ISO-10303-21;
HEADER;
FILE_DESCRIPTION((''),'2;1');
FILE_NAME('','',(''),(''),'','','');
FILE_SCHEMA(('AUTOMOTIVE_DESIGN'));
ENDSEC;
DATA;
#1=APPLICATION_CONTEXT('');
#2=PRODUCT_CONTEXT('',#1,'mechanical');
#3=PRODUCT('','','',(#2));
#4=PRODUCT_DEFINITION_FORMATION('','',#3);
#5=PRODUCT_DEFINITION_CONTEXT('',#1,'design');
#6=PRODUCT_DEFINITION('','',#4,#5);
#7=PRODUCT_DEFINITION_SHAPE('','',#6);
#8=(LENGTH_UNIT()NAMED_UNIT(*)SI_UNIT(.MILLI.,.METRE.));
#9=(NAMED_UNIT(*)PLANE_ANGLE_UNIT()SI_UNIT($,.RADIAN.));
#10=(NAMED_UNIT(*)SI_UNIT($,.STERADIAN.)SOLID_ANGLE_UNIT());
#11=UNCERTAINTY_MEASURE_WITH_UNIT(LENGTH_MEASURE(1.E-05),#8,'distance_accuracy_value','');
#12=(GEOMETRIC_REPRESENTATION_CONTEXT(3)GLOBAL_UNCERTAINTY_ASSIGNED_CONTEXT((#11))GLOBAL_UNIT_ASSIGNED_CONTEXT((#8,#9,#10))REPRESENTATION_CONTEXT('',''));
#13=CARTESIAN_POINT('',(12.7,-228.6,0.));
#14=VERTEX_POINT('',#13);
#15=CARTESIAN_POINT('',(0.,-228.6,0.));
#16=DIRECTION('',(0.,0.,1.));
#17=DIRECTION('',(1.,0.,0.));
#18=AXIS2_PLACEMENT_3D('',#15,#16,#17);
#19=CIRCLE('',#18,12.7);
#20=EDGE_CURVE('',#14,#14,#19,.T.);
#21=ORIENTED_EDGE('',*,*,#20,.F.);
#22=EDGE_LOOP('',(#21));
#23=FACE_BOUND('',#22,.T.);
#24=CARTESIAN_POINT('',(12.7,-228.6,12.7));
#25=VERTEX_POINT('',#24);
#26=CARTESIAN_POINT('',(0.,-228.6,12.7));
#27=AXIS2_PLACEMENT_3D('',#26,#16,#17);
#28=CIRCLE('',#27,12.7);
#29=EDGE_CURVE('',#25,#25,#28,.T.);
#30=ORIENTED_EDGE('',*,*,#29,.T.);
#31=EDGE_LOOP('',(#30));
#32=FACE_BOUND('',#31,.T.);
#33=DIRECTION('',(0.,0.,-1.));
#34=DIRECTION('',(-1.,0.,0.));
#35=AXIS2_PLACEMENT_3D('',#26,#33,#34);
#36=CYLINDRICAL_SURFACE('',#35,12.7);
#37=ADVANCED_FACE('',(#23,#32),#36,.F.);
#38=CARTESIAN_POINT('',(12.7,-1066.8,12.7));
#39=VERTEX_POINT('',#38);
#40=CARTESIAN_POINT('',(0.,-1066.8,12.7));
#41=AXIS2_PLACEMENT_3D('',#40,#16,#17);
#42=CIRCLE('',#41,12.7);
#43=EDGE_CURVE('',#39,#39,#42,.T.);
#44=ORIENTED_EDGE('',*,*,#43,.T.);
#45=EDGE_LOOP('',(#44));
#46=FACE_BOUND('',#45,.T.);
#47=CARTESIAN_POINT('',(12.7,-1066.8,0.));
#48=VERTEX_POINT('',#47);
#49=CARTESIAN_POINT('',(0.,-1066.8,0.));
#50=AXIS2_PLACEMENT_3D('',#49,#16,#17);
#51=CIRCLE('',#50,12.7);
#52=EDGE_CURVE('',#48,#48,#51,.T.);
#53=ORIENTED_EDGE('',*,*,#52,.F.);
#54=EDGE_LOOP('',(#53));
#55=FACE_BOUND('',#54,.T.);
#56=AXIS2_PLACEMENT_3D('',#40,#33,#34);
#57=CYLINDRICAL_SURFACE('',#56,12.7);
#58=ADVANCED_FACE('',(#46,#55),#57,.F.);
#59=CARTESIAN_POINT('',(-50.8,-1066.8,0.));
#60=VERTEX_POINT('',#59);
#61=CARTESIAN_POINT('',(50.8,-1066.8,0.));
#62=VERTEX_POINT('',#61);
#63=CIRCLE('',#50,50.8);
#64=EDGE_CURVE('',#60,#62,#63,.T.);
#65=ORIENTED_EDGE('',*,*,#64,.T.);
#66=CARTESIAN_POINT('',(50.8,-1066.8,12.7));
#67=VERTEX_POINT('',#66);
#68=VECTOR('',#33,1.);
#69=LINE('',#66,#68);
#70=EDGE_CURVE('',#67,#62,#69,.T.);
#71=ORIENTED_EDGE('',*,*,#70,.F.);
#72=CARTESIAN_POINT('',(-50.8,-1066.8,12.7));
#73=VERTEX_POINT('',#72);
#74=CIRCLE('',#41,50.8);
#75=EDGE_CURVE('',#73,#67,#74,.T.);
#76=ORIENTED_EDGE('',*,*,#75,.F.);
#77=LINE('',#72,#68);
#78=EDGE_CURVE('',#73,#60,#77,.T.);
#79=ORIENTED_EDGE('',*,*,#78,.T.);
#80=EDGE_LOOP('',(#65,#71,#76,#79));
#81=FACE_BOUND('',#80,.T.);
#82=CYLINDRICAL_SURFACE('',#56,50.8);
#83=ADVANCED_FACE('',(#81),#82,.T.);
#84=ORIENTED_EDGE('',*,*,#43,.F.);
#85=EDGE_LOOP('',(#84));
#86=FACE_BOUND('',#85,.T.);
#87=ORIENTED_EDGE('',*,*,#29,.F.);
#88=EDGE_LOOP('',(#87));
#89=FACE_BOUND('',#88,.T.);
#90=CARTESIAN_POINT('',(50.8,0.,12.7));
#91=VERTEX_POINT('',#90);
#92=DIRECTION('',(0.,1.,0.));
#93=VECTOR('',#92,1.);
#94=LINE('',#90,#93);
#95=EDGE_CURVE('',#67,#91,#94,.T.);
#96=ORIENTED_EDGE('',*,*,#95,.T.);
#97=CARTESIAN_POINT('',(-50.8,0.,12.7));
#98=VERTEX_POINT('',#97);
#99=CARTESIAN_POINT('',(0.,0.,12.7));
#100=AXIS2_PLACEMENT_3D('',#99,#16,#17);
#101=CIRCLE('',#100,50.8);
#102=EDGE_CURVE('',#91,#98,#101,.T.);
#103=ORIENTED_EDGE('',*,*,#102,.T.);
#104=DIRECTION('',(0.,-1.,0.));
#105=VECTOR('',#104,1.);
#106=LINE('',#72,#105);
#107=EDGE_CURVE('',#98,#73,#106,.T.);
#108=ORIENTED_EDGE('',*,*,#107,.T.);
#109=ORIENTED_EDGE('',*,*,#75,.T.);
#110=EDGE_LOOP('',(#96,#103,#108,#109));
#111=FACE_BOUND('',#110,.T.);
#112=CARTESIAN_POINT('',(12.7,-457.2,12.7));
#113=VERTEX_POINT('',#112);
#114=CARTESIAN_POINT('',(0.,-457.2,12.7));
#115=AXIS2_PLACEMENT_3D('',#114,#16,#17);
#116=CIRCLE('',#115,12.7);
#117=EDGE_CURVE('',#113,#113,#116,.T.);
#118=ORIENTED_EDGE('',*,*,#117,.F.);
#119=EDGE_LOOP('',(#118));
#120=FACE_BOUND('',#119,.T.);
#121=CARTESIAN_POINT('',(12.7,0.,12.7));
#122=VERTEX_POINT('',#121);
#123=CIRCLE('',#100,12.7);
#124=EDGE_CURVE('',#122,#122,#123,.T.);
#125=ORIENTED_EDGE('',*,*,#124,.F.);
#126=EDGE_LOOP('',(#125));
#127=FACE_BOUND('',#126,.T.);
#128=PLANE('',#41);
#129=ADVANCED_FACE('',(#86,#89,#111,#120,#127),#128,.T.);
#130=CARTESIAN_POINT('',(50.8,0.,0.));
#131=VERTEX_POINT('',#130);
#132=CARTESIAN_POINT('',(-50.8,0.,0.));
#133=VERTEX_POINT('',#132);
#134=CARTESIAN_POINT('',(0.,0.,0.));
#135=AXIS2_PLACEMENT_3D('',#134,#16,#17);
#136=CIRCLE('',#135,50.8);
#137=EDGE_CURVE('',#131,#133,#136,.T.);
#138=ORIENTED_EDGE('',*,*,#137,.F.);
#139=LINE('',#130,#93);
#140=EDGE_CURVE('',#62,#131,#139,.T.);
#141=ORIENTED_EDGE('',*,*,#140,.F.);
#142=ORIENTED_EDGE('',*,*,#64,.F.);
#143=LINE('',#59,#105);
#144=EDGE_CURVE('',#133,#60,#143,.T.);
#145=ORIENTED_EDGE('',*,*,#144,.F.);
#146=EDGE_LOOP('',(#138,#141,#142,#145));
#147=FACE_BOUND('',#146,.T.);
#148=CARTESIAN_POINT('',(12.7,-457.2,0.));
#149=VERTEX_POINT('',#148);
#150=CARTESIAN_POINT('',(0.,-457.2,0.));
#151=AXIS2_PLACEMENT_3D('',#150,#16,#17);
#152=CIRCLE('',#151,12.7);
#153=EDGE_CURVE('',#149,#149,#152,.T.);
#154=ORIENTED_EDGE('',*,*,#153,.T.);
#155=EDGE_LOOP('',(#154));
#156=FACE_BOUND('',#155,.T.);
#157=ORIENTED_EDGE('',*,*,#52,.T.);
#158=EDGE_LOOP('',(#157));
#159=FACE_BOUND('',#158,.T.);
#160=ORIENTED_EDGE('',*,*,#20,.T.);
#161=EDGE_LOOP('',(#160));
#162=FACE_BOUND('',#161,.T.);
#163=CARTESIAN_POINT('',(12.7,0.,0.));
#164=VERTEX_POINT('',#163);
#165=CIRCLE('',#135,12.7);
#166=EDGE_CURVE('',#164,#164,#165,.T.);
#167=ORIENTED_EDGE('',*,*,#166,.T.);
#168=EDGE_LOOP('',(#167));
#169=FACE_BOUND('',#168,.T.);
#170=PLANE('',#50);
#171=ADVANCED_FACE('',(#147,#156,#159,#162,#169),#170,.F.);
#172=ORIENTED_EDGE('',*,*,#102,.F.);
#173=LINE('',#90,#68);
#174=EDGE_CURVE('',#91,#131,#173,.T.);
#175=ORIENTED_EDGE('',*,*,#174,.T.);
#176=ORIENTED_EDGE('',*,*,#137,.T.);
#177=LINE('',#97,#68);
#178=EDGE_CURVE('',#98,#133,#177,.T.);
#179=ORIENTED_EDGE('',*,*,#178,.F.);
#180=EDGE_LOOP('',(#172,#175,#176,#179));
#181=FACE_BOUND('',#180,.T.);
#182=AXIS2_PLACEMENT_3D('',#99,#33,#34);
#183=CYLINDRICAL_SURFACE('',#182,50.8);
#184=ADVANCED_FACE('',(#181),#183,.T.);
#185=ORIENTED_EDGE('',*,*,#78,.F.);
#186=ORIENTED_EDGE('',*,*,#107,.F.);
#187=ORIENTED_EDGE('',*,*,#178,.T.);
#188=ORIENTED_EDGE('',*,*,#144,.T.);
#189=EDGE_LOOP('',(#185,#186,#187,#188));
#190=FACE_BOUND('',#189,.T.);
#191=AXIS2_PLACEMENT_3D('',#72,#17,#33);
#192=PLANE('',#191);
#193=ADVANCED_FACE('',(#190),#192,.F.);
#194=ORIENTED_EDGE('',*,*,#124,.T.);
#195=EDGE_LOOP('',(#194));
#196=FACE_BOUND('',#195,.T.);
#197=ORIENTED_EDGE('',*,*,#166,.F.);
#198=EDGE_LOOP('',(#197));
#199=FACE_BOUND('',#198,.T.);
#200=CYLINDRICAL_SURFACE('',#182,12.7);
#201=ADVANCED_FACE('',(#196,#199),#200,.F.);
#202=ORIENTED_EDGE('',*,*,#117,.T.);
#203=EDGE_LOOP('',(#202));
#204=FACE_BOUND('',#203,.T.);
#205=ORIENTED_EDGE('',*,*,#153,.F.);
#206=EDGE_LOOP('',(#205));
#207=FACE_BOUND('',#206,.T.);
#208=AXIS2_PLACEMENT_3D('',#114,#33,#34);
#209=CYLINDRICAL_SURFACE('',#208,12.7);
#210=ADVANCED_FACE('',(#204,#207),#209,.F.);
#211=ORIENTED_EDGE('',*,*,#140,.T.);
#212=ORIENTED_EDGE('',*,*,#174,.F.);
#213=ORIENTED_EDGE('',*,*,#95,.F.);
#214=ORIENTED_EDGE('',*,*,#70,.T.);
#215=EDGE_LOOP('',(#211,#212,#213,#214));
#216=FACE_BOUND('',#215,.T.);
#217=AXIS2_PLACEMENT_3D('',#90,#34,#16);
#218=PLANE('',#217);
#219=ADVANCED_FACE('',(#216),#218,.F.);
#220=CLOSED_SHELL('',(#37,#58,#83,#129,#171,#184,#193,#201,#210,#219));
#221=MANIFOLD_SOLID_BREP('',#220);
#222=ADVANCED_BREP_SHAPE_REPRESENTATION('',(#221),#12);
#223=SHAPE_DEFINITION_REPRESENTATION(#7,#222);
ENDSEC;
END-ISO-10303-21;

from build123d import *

# Parameters (mm, degrees)
SKETCH1_R           = 12.7
BOSS_EXTRUDE1_DEPTH = 12.7


with BuildPart() as part:
    # Sketch1 → Boss-Extrude1 (new body)
    with BuildSketch(Plane.XY):
        with BuildLine():
            Line((-50.8, -1066.8), (-50.8, 0))
            ThreePointArc((-50.8, 0), (0, 50.8), (50.8, 0))
            Line((50.8, 0), (50.8, -1066.8))
            ThreePointArc((50.8, -1066.8), (0, -1117.6), (-50.8, -1066.8))
        make_face()
        Circle(SKETCH1_R, mode=Mode.SUBTRACT)
        with Locations((0, -1066.8)):
            Circle(SKETCH1_R, mode=Mode.SUBTRACT)
        with Locations((0, -228.6)):
            Circle(SKETCH1_R, mode=Mode.SUBTRACT)
        with Locations((0, -457.2)):
            Circle(SKETCH1_R, mode=Mode.SUBTRACT)
    extrude(amount=BOSS_EXTRUDE1_DEPTH)


solid = part.part
